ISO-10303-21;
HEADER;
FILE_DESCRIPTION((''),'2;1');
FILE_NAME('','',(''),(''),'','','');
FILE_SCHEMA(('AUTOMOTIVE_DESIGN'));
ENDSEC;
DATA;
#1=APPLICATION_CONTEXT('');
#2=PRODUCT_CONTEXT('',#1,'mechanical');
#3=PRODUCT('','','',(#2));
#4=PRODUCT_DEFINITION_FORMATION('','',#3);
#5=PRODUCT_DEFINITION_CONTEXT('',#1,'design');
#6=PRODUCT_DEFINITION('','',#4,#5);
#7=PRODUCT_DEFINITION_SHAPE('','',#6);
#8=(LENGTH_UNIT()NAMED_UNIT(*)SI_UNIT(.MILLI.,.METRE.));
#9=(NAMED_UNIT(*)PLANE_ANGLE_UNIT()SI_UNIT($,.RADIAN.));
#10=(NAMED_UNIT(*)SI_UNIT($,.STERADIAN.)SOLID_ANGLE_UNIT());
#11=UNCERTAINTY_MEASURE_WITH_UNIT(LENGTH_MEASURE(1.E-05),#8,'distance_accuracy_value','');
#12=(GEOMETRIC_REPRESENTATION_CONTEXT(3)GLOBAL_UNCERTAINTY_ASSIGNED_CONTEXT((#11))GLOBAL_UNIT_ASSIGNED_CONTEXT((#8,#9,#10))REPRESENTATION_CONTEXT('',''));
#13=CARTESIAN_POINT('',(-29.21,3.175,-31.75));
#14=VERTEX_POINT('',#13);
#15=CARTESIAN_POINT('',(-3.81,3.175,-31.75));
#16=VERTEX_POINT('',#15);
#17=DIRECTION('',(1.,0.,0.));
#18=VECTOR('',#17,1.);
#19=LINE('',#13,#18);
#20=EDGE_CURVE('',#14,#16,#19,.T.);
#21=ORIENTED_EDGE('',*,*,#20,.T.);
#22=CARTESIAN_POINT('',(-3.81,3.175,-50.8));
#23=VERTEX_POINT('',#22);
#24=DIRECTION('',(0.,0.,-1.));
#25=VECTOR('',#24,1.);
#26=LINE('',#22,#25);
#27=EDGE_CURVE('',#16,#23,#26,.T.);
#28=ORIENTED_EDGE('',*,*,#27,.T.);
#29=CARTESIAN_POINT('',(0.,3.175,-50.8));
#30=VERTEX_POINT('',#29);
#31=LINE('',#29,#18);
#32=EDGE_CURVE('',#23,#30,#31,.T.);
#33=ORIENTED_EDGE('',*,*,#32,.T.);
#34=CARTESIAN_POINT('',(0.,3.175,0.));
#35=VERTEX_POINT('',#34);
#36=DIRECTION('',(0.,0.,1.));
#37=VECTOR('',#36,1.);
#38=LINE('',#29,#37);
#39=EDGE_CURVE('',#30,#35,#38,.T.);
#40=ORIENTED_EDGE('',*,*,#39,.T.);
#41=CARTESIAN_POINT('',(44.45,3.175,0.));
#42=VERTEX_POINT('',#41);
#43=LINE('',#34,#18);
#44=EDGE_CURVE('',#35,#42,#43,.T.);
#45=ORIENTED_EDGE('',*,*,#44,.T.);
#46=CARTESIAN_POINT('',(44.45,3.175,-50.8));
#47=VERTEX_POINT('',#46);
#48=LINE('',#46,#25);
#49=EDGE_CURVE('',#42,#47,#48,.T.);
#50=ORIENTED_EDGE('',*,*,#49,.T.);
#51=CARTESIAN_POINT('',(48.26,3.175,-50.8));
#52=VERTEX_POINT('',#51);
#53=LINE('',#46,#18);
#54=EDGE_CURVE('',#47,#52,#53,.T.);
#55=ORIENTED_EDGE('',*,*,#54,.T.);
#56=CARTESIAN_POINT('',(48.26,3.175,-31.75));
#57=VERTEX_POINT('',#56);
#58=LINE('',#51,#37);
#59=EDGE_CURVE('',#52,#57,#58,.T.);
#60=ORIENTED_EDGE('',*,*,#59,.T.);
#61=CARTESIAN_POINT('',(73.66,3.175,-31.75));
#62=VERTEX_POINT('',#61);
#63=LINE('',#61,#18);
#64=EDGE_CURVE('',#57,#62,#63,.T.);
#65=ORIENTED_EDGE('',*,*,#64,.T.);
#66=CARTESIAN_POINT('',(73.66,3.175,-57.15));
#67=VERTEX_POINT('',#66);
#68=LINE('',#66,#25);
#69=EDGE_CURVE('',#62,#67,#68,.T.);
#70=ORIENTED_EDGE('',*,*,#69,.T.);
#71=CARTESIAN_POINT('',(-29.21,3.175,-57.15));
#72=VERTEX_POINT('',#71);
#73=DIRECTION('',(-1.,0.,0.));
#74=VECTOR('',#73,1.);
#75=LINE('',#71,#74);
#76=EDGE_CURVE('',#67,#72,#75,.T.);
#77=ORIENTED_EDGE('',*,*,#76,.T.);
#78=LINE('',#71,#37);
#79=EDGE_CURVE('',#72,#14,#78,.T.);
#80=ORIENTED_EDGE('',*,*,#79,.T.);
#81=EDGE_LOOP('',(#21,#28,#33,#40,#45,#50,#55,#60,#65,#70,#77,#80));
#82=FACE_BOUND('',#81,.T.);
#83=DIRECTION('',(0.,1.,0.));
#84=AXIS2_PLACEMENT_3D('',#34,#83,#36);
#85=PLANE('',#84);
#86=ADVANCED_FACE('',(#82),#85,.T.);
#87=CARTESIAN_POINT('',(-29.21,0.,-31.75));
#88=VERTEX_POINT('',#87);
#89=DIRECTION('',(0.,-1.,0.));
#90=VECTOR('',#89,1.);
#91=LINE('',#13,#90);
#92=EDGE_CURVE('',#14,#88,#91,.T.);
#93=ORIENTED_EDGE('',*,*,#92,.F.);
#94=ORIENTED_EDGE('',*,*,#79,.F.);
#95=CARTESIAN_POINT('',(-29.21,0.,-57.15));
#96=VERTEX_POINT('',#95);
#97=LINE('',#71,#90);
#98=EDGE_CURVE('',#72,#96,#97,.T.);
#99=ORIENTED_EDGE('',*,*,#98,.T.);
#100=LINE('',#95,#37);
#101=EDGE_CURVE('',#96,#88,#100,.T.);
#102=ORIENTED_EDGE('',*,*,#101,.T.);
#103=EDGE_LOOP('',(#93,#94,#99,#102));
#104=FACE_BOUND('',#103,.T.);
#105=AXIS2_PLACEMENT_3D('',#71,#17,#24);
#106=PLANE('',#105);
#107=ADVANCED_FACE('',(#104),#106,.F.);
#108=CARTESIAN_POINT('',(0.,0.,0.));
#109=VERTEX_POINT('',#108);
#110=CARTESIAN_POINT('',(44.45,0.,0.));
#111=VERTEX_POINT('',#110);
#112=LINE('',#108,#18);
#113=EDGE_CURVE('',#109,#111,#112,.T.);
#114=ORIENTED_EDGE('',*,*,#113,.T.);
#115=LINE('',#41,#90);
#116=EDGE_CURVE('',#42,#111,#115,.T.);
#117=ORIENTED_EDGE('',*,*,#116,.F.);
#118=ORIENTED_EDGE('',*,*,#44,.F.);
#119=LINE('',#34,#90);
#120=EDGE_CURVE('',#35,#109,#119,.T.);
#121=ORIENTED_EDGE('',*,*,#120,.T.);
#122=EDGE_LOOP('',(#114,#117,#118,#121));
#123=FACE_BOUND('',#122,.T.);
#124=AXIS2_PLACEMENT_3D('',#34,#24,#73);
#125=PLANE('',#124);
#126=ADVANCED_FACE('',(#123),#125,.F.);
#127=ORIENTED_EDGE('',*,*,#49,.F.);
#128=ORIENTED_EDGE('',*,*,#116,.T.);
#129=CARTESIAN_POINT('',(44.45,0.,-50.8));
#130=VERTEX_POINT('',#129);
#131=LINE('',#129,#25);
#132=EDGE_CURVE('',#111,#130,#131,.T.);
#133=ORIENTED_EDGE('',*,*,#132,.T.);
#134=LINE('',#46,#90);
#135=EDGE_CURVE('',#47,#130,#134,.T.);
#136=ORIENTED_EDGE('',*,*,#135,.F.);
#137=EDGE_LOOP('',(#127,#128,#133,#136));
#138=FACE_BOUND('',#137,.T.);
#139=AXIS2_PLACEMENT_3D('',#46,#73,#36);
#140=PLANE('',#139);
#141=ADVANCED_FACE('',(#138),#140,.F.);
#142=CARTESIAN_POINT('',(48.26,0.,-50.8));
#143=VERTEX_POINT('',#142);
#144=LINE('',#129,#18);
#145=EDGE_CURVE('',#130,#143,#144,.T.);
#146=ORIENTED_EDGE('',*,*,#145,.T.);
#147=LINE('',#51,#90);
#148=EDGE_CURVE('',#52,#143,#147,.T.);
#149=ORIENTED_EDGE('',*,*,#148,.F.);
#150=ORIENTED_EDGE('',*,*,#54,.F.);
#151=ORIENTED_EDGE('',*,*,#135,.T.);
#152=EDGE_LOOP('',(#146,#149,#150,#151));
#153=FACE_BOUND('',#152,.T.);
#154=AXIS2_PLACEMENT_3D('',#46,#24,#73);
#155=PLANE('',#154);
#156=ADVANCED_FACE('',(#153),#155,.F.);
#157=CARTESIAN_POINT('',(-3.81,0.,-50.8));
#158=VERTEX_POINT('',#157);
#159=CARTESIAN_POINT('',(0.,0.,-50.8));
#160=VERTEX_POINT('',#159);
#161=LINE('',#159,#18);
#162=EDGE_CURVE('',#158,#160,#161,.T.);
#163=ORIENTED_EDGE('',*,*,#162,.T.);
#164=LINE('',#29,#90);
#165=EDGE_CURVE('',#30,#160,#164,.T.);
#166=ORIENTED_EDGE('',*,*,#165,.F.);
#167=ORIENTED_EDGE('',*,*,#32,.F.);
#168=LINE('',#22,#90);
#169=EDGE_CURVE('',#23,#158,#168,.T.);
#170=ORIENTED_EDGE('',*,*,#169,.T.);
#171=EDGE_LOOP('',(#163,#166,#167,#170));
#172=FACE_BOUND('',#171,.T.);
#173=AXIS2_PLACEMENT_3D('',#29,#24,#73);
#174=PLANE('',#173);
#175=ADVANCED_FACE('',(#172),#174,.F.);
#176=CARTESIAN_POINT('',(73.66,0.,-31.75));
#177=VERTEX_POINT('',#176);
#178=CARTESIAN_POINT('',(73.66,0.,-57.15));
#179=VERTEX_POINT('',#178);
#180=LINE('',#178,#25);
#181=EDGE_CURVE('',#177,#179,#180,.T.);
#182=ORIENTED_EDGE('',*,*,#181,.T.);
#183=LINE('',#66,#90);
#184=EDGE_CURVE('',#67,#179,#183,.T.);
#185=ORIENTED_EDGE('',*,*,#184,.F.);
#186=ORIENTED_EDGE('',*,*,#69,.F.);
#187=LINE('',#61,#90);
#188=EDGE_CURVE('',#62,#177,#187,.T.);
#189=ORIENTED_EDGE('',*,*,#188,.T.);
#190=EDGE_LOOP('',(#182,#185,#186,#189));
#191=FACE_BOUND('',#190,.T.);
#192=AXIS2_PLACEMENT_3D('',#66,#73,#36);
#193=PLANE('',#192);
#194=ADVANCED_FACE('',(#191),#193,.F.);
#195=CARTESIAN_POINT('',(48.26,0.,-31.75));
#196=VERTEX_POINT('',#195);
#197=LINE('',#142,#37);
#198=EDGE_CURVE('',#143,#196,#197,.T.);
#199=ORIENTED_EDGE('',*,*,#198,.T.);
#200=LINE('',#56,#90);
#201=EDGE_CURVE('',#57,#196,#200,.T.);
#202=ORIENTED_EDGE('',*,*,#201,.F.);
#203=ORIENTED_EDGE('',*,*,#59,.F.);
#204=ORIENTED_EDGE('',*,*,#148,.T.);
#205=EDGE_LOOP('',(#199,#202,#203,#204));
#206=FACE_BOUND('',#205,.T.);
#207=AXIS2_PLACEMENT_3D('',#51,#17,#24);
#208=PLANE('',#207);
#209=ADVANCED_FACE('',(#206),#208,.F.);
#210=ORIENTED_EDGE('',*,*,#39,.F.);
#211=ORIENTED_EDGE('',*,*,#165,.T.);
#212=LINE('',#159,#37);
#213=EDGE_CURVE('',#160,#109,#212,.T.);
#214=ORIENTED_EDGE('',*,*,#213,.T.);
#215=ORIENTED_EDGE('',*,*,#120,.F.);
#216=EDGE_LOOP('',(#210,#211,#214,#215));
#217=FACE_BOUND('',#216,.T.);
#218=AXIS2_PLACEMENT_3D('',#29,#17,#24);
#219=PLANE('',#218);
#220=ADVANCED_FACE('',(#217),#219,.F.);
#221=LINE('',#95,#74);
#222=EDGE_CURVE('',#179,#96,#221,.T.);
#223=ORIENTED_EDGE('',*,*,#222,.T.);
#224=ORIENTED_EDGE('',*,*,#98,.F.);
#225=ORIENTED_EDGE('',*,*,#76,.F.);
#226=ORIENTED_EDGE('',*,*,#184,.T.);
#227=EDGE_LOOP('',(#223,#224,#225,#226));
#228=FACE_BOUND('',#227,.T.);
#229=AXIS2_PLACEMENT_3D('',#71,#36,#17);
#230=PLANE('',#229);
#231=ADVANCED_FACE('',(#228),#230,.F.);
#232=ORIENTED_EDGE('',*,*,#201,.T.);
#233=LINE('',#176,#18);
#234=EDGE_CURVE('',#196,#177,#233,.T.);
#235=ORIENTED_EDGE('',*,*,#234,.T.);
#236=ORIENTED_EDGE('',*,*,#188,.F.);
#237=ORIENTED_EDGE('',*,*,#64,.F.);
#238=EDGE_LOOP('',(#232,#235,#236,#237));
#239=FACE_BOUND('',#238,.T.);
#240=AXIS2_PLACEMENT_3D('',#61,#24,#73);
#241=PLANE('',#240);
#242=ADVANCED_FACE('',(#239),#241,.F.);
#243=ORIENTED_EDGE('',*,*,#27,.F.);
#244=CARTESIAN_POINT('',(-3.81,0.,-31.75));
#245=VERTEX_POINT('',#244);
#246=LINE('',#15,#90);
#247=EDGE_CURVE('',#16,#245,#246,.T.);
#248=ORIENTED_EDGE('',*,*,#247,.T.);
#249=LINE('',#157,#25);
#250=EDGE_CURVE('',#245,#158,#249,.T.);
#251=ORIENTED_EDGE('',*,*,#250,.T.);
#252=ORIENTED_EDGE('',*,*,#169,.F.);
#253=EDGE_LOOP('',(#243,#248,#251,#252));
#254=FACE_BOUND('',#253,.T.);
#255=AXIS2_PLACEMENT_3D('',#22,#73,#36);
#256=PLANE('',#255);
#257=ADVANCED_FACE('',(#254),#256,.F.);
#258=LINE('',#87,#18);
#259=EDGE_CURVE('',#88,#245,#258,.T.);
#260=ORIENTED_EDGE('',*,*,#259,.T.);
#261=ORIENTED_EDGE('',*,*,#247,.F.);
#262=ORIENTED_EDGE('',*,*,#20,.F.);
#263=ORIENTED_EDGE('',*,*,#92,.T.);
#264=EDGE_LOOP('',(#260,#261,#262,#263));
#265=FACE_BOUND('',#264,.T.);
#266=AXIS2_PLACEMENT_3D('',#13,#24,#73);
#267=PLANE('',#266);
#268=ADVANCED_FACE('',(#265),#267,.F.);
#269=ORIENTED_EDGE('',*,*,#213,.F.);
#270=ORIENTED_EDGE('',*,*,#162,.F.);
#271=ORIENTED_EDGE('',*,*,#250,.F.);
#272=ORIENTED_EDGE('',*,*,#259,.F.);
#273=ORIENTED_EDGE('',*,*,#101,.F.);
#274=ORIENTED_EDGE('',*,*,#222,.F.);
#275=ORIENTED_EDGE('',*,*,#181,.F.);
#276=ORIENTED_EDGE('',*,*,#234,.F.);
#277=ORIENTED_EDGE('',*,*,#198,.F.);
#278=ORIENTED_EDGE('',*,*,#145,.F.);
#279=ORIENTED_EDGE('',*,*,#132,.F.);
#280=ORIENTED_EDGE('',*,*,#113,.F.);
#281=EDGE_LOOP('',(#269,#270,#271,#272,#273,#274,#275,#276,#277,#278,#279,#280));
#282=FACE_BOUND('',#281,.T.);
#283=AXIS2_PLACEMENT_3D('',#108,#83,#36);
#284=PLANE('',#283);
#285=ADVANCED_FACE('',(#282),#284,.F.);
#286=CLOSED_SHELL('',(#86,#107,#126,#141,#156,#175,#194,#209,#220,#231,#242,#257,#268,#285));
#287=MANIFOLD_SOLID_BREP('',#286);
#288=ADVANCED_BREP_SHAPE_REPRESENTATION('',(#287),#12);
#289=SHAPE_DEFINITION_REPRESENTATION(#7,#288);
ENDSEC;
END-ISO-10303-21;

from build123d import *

# Parameters (mm, degrees)
BOSS_EXTRUDE1_DEPTH = 3.175


with BuildPart() as part:
    # Sketch1 → Boss-Extrude1 (new body)
    with BuildSketch(Plane(origin=(0, 0, 0), x_dir=(1, 0, 0), z_dir=(0, 1, 0))):
        Polygon((-29.21, 57.15), (73.66, 57.15), (73.66, 31.75), (48.26, 31.75), (48.26, 50.8), (44.45, 50.8), (44.45, 0), (0, 0), (0, 50.8), (-3.81, 50.8), (-3.81, 31.75), (-29.21, 31.75), align=None)
    extrude(amount=BOSS_EXTRUDE1_DEPTH)


solid = part.part
